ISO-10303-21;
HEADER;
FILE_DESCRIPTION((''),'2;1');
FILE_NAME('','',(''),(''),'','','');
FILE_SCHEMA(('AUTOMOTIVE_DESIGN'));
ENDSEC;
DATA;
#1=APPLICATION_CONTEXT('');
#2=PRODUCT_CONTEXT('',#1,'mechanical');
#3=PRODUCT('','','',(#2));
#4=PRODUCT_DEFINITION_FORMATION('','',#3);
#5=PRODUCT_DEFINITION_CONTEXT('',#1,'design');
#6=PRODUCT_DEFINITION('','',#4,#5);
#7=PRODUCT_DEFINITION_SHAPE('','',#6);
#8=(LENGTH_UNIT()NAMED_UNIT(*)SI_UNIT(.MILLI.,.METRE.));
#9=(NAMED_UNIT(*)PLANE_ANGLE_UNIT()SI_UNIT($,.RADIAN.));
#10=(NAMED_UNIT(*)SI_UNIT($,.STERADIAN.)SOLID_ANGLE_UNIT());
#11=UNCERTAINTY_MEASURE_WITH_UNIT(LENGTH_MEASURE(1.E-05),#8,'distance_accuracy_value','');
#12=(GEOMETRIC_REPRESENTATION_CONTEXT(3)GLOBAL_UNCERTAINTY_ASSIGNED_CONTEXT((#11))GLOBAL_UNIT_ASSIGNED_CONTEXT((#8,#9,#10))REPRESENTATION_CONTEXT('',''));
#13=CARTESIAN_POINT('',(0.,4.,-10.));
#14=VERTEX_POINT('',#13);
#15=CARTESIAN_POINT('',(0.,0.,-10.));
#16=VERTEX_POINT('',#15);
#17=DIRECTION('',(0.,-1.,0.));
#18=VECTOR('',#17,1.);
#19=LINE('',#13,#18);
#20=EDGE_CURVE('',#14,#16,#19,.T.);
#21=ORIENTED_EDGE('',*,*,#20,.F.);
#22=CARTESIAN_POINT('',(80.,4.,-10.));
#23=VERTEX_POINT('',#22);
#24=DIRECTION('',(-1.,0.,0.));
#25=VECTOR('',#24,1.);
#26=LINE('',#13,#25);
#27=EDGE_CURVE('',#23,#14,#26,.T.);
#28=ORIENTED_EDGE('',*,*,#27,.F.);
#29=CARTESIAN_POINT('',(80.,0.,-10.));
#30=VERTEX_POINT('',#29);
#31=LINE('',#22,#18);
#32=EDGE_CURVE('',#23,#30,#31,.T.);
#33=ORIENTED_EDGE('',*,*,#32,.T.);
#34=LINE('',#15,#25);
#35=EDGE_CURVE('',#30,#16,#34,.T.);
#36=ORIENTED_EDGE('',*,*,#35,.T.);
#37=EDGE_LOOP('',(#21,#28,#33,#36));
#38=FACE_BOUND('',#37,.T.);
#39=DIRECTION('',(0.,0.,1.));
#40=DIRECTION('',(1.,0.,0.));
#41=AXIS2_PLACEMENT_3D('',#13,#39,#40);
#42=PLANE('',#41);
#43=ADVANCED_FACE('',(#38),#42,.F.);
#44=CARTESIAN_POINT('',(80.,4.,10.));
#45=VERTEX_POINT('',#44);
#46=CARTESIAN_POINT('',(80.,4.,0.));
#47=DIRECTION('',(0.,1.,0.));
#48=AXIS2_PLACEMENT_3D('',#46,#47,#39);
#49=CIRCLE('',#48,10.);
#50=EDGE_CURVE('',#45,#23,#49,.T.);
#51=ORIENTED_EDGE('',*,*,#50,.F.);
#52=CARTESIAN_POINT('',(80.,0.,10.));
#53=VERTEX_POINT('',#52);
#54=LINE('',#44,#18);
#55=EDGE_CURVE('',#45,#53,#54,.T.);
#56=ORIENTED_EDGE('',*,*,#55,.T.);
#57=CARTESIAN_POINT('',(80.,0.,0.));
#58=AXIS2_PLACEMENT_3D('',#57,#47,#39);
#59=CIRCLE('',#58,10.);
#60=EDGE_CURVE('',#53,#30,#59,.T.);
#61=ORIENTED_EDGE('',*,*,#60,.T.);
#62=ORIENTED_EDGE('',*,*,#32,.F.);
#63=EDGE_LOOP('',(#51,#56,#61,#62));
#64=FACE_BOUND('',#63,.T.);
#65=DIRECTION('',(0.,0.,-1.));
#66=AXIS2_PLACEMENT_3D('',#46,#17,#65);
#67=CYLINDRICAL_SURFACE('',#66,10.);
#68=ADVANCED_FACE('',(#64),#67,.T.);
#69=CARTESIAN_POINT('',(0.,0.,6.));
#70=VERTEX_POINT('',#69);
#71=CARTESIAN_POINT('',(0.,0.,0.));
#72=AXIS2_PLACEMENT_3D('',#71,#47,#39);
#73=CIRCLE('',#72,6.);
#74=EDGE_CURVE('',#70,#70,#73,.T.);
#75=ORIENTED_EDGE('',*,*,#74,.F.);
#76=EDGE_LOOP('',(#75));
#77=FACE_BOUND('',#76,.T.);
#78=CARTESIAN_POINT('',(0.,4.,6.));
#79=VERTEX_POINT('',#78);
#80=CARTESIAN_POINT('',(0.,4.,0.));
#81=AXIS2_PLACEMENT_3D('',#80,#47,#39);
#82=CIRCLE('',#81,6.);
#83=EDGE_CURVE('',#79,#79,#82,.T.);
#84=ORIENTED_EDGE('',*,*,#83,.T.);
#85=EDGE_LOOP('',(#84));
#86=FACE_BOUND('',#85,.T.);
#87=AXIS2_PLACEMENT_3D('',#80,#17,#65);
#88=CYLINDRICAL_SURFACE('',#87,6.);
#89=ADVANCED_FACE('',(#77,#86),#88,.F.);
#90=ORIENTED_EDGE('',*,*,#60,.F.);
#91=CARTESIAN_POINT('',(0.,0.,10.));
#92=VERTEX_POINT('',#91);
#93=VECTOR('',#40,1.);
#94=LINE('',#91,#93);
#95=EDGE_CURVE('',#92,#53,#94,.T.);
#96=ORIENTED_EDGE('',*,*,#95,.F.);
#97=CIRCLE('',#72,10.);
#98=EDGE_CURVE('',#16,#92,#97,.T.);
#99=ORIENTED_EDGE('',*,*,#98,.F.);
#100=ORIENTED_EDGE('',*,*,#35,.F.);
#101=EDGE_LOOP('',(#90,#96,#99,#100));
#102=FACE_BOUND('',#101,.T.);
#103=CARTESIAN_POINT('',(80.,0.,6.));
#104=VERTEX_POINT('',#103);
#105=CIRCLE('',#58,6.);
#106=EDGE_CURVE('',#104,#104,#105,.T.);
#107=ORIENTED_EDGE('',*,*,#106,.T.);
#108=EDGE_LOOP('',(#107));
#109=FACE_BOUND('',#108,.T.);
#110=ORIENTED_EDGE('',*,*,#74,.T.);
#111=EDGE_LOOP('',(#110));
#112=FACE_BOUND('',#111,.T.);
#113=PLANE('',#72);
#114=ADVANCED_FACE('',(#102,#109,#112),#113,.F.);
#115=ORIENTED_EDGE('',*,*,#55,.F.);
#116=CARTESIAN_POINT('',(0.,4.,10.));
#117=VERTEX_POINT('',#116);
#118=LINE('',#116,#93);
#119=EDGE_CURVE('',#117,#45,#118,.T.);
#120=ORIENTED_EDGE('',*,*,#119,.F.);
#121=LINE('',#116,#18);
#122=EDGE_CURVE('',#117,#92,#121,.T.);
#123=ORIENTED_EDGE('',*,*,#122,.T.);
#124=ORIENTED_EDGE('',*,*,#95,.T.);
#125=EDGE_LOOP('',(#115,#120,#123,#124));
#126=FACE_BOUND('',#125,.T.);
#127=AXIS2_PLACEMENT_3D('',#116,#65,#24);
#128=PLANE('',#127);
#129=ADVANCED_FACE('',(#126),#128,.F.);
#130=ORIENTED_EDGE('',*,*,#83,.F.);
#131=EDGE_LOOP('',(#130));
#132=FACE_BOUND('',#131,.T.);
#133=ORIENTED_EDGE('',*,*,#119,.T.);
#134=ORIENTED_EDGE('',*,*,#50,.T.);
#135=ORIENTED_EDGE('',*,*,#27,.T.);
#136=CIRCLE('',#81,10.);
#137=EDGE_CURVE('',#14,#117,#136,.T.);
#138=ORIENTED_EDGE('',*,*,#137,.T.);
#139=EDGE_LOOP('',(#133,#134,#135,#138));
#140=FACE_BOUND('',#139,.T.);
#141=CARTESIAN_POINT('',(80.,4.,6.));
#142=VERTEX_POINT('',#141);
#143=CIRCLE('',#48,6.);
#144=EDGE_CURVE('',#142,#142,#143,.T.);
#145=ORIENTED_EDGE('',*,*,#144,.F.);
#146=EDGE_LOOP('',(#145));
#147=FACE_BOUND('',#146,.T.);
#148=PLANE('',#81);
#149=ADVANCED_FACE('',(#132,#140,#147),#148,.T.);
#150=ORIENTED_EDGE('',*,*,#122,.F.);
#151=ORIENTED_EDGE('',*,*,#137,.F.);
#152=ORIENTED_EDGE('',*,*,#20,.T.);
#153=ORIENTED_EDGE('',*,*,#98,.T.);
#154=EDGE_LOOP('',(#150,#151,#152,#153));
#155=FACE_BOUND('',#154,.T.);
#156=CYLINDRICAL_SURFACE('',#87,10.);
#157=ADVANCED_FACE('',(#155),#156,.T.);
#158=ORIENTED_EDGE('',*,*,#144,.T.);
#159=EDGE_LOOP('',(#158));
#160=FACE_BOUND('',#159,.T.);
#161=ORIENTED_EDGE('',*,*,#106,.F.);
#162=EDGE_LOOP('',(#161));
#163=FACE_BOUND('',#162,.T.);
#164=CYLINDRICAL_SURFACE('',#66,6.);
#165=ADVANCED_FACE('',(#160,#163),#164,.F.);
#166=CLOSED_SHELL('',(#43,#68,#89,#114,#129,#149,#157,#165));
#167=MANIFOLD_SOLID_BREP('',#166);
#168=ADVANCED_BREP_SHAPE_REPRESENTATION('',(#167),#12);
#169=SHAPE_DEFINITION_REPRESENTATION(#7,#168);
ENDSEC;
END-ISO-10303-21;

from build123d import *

# Parameters (mm, degrees)
SKETCH1_R           = 6
BOSS_EXTRUDE1_DEPTH = 4


with BuildPart() as part:
    # Sketch1 → Boss-Extrude1 (new body)
    with BuildSketch(Plane(origin=(0, 0, 0), x_dir=(1, 0, 0), z_dir=(0, 1, 0))):
        with BuildLine():
            Line((0, 10), (80, 10))
            ThreePointArc((80, 10), (90, 0), (80, -10))
            Line((80, -10), (0, -10))
            ThreePointArc((0, -10), (-10, 0), (0, 10))
        make_face()
        with Locations(Location((0, 0, 0), (0, 0, 270))):
            Circle(SKETCH1_R, mode=Mode.SUBTRACT)
        with Locations(Location((80, 0, 0), (0, 0, 270))):
            Circle(SKETCH1_R, mode=Mode.SUBTRACT)
    extrude(amount=BOSS_EXTRUDE1_DEPTH)


solid = part.part
